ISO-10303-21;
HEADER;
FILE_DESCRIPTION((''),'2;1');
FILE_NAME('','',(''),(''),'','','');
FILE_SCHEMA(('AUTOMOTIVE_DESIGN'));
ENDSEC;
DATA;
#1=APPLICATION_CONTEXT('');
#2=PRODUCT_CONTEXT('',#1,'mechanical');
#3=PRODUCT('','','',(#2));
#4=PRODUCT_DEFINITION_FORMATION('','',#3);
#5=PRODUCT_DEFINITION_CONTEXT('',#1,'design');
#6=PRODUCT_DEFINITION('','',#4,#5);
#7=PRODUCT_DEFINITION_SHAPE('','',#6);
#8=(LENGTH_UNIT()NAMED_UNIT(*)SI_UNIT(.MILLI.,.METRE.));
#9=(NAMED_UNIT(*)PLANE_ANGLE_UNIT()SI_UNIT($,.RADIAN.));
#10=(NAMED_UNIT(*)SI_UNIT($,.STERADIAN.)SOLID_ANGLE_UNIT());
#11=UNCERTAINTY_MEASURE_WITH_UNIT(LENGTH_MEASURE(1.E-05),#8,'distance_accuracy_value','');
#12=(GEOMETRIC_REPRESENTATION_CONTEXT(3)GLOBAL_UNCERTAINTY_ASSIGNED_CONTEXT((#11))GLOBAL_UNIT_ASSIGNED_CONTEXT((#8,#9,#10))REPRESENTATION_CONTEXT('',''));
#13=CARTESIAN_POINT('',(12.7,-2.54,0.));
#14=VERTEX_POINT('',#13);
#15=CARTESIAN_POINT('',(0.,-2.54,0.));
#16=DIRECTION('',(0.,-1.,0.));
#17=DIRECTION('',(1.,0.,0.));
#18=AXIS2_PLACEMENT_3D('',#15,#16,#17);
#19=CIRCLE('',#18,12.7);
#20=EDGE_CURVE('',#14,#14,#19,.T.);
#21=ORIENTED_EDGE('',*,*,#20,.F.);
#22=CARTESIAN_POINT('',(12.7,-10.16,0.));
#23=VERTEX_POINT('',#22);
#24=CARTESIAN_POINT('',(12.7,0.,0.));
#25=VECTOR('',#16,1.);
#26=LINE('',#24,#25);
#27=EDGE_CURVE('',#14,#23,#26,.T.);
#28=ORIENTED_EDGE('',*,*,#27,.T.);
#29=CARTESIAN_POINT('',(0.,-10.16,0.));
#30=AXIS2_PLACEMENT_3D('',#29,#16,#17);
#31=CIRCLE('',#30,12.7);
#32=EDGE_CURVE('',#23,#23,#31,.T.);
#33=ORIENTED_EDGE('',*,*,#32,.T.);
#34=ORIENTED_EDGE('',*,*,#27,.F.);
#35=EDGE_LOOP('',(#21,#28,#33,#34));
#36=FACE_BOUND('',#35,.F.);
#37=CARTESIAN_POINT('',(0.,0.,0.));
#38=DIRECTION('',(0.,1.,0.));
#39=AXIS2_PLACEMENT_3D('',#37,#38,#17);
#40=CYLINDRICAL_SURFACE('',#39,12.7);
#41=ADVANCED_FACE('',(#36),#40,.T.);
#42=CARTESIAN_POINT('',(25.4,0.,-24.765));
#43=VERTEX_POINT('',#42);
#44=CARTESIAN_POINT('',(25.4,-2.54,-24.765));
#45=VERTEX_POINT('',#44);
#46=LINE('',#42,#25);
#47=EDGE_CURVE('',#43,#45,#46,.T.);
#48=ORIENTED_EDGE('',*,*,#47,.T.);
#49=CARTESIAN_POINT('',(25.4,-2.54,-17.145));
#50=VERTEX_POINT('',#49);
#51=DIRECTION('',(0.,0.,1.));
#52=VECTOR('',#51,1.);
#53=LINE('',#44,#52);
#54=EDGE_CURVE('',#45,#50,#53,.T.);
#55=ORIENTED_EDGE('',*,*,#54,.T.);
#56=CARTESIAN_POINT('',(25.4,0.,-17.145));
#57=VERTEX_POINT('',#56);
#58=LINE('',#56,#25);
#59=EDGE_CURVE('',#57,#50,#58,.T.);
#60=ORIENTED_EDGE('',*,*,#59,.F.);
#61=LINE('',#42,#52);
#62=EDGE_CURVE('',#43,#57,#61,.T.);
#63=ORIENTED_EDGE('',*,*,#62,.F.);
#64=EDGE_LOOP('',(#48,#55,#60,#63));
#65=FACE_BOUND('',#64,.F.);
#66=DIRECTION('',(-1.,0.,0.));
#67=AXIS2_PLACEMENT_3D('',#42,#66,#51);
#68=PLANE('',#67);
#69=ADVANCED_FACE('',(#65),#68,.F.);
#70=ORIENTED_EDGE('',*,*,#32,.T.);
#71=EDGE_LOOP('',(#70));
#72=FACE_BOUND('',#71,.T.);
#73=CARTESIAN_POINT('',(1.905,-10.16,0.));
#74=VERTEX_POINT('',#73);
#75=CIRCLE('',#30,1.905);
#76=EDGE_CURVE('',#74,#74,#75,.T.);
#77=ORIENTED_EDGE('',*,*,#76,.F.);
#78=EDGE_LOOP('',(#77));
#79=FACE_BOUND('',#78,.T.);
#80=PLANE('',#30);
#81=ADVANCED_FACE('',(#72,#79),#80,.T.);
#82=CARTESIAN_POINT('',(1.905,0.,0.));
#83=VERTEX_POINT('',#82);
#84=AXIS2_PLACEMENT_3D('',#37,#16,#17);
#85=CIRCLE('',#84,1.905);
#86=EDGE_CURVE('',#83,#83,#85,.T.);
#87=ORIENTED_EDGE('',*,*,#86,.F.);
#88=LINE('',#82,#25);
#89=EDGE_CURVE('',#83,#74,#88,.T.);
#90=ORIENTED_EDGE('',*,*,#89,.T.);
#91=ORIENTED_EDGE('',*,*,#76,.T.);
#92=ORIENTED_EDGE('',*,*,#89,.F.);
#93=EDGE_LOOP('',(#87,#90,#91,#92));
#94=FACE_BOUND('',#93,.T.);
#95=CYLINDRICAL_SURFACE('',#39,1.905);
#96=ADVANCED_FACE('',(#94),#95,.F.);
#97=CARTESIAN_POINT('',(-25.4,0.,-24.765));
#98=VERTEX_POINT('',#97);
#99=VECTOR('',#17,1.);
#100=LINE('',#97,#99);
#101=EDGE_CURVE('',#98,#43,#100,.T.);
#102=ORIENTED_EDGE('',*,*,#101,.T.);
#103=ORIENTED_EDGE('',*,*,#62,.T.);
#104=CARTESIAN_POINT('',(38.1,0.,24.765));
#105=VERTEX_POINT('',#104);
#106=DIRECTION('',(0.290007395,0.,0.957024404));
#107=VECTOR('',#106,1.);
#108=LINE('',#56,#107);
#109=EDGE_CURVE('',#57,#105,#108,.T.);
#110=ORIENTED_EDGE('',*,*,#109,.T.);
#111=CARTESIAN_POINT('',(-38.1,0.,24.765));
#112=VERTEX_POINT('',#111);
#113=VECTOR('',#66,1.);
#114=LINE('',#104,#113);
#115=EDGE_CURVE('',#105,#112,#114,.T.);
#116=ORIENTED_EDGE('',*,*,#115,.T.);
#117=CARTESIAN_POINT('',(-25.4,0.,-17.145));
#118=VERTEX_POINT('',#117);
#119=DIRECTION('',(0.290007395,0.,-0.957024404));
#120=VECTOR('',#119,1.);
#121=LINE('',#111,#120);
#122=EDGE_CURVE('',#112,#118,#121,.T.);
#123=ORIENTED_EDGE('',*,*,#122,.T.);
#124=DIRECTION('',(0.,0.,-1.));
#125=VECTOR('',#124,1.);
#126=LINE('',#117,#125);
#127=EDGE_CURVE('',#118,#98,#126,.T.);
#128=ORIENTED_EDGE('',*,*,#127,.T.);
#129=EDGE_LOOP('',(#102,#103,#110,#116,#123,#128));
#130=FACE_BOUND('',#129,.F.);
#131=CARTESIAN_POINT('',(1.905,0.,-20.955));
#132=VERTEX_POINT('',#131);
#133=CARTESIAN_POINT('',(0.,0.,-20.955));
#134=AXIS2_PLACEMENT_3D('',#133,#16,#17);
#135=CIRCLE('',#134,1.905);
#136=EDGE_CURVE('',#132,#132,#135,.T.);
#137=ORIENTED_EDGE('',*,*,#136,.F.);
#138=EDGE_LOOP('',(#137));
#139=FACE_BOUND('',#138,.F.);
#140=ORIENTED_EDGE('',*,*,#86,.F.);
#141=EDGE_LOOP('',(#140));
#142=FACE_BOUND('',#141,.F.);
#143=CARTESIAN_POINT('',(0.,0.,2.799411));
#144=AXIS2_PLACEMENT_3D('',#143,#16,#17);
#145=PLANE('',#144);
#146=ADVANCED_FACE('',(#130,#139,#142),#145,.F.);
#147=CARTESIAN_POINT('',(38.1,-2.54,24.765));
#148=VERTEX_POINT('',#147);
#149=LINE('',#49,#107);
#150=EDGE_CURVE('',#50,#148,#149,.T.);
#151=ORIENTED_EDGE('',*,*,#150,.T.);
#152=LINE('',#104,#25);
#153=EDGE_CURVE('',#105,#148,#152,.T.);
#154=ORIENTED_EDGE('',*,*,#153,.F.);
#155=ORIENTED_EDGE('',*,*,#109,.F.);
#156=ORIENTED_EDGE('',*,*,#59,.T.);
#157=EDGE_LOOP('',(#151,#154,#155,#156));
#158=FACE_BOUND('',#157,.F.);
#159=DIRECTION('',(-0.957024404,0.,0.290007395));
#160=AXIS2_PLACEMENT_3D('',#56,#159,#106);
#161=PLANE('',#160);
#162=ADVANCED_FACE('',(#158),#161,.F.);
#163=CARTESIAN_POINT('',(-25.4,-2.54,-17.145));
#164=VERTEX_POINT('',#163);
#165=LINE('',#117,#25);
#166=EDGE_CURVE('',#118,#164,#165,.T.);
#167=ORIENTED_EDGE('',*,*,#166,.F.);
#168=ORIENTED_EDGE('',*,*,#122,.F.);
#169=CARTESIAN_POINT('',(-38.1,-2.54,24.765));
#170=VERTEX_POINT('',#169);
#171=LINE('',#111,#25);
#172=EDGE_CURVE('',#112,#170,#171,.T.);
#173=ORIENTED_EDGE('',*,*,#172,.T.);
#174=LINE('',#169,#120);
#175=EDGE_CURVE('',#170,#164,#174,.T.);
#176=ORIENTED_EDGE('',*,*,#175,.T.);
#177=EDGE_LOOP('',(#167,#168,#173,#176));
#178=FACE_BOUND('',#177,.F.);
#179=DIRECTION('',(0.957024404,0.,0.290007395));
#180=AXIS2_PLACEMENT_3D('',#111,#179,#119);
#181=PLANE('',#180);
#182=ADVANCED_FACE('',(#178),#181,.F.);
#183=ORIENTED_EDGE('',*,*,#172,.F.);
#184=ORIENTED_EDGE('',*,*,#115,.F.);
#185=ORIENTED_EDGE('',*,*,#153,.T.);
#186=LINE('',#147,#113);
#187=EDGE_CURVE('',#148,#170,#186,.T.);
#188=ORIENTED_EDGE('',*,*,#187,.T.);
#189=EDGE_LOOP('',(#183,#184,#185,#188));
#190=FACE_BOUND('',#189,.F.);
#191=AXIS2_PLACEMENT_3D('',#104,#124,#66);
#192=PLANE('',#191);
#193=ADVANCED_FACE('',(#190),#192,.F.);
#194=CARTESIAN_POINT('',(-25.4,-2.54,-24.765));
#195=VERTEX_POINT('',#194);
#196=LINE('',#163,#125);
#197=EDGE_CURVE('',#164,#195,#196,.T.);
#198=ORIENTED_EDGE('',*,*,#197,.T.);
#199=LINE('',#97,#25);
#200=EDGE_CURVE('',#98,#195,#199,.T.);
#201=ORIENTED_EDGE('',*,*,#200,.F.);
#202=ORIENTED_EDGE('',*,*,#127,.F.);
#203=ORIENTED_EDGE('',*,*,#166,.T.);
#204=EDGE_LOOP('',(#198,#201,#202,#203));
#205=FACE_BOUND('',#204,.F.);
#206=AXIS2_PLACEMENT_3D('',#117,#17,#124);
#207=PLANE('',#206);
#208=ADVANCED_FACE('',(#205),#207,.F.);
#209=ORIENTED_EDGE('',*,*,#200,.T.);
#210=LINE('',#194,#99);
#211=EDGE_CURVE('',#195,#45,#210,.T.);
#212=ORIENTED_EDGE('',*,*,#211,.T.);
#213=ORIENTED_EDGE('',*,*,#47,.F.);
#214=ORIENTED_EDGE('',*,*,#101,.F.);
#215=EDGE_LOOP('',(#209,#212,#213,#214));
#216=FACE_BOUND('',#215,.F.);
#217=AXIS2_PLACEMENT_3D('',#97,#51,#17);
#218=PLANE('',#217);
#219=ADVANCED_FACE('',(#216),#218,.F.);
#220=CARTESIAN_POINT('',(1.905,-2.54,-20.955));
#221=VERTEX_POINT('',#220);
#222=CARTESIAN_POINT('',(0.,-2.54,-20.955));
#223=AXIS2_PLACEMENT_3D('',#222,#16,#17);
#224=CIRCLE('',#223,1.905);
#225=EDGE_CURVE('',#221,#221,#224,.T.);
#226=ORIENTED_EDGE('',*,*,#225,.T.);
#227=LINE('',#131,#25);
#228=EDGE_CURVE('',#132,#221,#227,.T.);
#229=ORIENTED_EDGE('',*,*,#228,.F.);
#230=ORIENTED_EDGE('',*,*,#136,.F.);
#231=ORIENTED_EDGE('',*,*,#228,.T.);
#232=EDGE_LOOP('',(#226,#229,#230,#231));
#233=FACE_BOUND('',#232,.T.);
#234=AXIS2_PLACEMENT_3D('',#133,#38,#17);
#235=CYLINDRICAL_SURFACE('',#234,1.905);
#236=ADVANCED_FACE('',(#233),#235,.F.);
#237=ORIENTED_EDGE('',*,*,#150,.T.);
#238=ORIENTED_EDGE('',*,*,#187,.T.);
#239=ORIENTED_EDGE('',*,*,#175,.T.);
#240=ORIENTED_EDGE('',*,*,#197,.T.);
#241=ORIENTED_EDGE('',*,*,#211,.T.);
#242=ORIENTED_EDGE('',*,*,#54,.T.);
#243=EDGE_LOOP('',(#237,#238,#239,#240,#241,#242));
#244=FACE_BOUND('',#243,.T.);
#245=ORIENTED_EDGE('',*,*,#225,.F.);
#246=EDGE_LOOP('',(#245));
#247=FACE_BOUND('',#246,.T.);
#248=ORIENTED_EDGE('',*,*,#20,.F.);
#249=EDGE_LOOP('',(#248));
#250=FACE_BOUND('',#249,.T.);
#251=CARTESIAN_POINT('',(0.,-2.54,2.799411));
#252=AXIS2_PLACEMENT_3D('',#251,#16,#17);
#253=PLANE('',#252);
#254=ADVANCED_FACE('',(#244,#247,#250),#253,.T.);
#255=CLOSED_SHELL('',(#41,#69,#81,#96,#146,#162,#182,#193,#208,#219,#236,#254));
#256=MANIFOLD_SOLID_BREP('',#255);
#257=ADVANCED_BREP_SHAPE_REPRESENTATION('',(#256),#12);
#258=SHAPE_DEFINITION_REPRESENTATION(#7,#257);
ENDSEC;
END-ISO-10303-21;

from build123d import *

# Parameters (mm, degrees)
F0_R     = 1.905
F0_R_2   = 12.7
F1_DEPTH = 2.54
F2_DEPTH = 10.16


with BuildPart() as f1:
    # F0 (on Front) → F1 (new body)
    with BuildSketch(Plane.XZ):
        Polygon((38.1, 24.765), (25.4, 24.765), (-25.4, 24.765), (-38.1, 24.765), (-25.4, -17.145), (-25.4, -24.765), (25.4, -24.765), (25.4, -17.145), align=None)
        with Locations((0, -20.955)):
            Circle(F0_R, mode=Mode.SUBTRACT)
        Circle(F0_R_2, mode=Mode.SUBTRACT)
    extrude(amount=F1_DEPTH)

    # F0 (on Front) → F2 (join)
    with BuildSketch(Plane.XZ):
        Circle(F0_R_2)
        Circle(F0_R, mode=Mode.SUBTRACT)
    extrude(amount=F2_DEPTH)


solid = f1.part
